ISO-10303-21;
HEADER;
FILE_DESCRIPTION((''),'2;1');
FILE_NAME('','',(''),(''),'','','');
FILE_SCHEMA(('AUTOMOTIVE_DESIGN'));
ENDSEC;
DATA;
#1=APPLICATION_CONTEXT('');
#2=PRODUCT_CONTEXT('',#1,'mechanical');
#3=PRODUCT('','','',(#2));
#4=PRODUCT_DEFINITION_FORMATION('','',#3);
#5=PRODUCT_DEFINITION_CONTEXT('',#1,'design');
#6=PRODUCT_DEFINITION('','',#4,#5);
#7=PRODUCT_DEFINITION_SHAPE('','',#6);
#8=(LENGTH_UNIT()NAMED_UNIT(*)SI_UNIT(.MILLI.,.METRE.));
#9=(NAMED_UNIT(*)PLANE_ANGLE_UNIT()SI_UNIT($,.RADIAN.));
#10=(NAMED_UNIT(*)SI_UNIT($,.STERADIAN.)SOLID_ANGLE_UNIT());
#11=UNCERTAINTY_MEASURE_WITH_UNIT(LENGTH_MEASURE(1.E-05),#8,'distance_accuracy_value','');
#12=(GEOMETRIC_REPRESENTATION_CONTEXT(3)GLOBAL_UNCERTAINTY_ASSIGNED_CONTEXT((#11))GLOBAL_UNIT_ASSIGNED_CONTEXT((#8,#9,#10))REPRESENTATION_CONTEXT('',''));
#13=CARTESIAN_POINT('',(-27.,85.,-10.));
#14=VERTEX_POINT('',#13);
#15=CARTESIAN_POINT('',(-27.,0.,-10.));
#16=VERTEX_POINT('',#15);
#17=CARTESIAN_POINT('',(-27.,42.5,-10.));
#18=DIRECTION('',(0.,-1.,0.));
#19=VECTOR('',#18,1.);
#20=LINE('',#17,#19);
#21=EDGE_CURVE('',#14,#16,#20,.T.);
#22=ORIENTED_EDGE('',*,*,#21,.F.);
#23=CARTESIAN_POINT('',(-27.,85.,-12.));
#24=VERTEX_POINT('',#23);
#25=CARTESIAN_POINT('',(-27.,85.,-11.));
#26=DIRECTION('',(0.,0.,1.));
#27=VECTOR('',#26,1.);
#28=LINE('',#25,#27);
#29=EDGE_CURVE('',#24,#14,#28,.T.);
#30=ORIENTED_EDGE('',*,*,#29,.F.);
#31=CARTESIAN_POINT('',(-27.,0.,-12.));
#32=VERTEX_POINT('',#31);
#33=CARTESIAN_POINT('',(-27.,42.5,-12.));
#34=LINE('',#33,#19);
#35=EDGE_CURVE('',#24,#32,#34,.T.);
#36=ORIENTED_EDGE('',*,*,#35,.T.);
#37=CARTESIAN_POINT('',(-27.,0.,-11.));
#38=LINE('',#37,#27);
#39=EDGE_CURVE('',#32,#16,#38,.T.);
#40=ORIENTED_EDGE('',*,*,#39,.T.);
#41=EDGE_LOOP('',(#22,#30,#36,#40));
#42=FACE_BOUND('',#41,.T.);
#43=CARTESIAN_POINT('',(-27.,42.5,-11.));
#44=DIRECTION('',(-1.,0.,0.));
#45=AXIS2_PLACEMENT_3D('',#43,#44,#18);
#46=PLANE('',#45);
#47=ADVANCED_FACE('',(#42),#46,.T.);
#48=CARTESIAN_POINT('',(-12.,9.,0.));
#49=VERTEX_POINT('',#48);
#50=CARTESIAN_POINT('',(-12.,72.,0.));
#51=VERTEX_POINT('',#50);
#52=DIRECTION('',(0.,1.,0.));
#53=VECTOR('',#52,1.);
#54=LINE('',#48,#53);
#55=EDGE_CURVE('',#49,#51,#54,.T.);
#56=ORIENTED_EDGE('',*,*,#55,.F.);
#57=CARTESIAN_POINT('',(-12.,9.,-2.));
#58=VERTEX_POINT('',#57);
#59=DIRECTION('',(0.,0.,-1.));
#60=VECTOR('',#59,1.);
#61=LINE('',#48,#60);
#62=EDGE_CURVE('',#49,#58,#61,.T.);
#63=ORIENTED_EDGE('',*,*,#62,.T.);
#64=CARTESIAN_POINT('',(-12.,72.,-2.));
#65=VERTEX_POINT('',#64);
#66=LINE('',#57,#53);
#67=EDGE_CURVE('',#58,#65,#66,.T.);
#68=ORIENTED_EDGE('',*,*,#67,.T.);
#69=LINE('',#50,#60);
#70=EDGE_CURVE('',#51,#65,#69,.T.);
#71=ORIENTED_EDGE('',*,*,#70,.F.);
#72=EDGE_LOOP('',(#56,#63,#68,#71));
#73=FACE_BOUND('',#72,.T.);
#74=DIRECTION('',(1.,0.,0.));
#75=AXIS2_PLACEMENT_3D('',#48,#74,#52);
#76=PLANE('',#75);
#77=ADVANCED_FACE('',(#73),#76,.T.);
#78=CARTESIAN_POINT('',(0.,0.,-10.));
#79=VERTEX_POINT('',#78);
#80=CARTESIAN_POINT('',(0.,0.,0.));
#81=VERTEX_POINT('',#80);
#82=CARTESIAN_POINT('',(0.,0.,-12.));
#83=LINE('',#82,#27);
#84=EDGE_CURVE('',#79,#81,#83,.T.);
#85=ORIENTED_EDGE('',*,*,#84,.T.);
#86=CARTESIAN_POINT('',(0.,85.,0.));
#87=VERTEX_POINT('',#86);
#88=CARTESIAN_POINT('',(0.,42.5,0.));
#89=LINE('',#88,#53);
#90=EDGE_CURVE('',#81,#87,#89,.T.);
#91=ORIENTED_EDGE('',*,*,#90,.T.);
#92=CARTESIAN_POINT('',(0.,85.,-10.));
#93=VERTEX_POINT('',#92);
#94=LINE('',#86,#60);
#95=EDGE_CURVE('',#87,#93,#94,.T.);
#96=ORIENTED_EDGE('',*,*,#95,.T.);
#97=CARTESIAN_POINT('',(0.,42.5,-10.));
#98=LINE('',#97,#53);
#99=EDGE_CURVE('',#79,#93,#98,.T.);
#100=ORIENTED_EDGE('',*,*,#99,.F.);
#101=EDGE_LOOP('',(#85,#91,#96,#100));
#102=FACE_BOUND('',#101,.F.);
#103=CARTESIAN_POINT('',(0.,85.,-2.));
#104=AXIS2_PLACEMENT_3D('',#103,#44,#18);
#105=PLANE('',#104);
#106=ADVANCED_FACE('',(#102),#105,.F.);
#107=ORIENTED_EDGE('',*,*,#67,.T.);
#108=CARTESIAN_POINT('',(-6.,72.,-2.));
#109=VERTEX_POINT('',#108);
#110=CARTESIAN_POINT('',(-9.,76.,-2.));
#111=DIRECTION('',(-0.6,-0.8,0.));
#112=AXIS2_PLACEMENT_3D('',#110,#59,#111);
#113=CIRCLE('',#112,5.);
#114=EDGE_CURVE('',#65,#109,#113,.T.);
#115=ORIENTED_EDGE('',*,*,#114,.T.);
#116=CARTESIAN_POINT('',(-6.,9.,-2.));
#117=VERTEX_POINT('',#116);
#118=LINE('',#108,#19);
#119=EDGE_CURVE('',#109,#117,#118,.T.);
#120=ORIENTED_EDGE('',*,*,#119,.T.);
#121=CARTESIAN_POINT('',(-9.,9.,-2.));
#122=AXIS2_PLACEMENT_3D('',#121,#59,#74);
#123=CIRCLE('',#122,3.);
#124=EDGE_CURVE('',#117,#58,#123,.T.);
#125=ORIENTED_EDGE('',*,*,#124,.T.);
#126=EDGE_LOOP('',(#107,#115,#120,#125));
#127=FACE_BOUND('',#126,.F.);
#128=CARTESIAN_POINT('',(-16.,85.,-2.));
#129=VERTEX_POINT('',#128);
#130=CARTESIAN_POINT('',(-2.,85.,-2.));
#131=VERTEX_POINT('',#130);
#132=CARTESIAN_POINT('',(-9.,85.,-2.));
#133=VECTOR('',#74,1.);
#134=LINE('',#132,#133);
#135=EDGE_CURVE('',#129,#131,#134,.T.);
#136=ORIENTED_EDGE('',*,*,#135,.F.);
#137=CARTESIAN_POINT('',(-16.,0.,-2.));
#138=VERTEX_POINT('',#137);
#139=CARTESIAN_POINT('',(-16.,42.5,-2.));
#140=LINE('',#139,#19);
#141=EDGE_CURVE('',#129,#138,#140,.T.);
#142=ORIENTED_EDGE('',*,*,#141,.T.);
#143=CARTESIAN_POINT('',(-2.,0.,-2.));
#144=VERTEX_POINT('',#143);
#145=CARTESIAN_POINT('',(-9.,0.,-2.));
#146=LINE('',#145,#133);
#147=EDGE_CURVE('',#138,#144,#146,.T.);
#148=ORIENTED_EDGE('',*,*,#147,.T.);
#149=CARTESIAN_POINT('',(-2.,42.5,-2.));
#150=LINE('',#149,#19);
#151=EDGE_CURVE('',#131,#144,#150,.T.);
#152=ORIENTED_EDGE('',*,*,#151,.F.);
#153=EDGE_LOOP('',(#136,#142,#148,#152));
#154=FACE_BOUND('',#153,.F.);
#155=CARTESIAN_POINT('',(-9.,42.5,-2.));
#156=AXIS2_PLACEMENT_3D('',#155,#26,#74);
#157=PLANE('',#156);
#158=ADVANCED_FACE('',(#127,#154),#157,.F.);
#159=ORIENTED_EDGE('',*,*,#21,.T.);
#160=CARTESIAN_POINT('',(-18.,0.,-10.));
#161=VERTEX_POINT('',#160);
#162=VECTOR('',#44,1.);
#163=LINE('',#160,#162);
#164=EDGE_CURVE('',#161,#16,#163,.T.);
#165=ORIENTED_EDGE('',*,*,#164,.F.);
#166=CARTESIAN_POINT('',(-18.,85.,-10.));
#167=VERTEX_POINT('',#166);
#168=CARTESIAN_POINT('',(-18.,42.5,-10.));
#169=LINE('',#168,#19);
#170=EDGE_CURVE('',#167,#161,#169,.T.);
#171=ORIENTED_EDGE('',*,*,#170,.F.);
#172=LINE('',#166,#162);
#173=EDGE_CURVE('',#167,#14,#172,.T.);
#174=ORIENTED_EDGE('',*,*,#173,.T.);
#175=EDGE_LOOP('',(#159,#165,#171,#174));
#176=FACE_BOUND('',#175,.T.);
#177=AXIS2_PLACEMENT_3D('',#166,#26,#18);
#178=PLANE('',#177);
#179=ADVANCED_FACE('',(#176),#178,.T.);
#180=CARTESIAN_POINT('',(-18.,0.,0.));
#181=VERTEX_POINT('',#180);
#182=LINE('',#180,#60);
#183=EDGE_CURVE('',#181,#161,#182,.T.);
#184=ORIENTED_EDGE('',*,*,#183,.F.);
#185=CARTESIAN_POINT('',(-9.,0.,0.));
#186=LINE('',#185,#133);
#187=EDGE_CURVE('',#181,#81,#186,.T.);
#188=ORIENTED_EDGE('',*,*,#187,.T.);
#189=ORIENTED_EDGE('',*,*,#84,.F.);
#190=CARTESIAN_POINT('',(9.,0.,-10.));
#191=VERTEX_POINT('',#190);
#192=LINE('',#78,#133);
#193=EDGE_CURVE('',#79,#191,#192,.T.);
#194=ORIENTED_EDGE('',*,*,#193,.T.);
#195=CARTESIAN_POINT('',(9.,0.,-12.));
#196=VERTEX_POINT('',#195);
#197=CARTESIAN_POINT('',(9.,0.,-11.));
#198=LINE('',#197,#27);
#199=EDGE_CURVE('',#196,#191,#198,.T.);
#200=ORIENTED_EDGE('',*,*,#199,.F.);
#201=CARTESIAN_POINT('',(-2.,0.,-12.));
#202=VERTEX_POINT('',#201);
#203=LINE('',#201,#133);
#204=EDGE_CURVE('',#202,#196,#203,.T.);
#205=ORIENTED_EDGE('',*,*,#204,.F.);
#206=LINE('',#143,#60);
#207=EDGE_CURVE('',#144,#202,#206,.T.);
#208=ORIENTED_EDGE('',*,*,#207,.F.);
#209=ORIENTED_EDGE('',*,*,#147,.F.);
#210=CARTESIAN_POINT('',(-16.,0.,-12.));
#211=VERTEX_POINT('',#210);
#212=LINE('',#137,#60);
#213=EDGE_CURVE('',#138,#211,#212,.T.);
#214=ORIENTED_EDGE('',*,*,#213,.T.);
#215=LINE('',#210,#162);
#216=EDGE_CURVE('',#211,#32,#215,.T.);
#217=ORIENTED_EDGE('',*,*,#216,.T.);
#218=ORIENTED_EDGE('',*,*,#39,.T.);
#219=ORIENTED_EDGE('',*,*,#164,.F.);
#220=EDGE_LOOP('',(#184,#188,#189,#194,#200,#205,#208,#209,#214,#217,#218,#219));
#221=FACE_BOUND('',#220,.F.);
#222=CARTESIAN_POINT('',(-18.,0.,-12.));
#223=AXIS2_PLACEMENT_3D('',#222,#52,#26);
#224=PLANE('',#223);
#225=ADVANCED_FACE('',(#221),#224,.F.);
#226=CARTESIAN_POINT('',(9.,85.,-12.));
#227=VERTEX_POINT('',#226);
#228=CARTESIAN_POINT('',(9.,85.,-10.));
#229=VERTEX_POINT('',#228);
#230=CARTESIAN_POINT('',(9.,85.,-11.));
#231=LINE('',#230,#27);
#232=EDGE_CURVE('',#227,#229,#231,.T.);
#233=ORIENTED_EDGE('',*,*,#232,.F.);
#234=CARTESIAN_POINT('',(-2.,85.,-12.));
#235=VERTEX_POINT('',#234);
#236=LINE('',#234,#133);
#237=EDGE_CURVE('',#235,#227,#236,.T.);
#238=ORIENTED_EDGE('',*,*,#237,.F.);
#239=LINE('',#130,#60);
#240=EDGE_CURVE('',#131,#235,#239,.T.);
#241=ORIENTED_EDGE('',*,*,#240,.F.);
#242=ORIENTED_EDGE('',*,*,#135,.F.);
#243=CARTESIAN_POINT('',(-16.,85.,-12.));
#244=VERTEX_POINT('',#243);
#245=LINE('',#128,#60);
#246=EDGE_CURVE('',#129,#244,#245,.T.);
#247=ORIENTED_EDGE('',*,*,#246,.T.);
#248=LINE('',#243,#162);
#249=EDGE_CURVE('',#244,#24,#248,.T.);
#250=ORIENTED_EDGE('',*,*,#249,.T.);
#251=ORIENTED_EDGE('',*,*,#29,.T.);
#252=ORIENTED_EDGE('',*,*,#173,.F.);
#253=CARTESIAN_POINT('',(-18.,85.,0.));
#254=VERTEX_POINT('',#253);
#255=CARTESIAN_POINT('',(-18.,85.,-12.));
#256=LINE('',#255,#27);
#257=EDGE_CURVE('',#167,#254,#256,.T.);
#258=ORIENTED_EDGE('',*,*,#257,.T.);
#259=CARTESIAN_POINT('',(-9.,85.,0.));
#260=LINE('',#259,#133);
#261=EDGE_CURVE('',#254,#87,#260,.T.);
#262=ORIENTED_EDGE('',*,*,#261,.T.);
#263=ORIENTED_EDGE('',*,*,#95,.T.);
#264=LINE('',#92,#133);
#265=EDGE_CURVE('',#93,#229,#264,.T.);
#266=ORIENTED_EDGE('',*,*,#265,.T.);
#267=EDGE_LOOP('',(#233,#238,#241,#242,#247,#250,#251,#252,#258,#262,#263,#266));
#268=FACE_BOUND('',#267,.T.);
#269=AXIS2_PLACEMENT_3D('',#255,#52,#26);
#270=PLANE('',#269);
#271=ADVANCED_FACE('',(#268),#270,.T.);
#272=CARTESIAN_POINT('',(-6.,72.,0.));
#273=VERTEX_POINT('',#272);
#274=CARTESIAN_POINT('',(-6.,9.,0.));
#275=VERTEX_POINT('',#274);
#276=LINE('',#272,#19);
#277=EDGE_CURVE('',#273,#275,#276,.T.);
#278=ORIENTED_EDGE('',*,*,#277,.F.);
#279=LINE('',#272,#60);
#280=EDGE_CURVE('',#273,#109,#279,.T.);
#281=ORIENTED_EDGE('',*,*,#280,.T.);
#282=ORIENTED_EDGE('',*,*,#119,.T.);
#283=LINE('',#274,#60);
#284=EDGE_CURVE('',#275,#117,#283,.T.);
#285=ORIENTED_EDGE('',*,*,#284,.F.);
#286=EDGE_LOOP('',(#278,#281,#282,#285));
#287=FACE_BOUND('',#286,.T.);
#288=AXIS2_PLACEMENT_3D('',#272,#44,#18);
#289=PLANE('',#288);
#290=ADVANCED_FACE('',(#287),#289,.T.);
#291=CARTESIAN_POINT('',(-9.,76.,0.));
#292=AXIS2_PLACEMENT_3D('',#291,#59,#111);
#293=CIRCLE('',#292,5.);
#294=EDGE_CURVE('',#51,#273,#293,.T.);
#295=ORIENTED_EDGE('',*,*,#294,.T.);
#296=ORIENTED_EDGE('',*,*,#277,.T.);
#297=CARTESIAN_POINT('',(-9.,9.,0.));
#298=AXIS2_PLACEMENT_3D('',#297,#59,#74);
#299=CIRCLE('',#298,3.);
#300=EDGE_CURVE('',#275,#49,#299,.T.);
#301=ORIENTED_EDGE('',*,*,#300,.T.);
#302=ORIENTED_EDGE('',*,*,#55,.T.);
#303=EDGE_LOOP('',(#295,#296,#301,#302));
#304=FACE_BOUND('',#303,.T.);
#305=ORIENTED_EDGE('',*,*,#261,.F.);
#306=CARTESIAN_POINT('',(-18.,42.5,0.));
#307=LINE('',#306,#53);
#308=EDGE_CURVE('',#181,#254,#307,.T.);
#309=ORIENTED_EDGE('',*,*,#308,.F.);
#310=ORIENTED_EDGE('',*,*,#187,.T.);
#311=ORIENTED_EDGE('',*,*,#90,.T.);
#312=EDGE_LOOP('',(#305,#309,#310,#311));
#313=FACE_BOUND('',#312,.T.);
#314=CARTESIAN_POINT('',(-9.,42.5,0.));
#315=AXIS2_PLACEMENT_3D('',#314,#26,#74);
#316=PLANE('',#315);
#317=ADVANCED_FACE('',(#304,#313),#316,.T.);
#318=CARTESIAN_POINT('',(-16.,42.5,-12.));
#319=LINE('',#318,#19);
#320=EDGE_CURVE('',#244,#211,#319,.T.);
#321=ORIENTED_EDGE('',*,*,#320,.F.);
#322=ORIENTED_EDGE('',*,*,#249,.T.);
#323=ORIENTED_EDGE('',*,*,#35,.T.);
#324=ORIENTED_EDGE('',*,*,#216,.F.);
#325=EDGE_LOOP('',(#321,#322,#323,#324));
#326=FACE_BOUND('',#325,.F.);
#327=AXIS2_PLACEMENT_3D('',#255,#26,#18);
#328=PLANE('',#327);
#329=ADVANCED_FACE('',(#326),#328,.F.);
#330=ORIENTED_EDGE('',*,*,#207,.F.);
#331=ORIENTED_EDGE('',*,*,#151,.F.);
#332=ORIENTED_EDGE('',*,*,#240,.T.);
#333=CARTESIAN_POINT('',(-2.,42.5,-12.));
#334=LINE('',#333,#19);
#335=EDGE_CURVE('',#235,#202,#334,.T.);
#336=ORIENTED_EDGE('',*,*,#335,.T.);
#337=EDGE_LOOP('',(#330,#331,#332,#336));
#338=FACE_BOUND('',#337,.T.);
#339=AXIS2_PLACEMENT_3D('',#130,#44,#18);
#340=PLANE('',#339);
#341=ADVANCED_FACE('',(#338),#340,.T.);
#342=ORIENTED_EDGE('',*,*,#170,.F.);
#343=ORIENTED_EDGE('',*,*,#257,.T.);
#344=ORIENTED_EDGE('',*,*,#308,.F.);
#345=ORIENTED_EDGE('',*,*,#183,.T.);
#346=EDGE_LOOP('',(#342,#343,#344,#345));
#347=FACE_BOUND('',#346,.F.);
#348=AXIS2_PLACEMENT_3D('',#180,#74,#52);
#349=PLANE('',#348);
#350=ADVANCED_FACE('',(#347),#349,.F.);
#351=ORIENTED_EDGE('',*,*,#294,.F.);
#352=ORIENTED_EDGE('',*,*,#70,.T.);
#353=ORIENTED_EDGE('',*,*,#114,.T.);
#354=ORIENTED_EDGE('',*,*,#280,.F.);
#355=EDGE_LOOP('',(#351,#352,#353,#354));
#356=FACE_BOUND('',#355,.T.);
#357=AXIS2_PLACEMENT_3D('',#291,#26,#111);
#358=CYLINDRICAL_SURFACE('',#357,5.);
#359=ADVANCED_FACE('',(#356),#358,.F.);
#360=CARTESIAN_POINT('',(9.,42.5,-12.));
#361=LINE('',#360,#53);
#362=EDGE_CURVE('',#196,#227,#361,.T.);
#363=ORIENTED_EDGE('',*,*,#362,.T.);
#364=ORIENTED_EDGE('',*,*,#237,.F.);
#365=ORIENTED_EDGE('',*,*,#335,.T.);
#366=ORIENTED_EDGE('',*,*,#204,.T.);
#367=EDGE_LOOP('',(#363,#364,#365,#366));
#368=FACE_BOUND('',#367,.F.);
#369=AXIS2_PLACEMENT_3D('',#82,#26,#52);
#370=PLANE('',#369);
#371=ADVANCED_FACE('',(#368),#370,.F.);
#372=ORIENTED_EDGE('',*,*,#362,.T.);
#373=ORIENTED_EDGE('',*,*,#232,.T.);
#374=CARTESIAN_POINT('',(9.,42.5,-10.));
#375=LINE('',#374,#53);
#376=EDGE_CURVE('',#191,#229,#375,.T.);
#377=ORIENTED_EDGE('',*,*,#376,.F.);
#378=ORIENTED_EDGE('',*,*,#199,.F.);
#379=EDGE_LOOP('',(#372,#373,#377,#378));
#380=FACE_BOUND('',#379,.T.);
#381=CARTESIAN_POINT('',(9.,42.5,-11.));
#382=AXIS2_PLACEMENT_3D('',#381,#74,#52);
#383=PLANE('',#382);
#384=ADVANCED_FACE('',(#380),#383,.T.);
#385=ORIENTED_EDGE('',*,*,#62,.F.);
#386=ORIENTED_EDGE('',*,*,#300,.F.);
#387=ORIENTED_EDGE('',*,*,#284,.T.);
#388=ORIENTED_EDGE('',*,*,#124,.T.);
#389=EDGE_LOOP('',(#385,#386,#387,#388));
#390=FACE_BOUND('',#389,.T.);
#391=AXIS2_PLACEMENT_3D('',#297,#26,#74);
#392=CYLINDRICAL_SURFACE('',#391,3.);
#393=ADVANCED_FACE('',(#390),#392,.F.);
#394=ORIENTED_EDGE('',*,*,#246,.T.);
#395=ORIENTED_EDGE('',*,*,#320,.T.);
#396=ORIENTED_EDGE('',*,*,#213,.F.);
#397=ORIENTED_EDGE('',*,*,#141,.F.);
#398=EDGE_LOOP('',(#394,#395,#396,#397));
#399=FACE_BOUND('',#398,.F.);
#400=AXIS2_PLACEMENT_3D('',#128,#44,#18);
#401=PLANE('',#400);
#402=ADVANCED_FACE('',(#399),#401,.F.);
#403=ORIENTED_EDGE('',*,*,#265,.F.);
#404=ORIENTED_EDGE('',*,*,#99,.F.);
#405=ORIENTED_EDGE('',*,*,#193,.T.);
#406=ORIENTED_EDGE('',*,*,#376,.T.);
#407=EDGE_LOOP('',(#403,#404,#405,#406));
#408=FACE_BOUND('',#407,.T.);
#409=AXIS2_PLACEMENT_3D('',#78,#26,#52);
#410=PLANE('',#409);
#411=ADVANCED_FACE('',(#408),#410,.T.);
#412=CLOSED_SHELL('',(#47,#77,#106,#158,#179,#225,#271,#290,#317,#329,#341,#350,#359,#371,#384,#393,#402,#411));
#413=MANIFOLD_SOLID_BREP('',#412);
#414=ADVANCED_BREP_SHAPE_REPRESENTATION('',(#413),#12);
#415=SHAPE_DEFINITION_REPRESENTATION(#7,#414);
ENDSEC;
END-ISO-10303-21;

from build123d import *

# Parameters (mm, degrees)
F0_W     = 18
F0_H     = 85
F1_DEPTH = 2
F2_W     = 2
F2_H     = 85
F3_DEPTH = 10
F4_W     = 85
F4_H     = 2
F5_DEPTH = 9
F6_W     = 85
F6_H     = 2
F7_DEPTH = 9


with BuildPart() as f1:
    # F0 (on Top) → F1 (new body)
    with BuildSketch(Plane.XY):
        with Locations((-9, 42.5)):
            Rectangle(F0_W, F0_H)
        with BuildLine():
            ThreePointArc((-12, 72), (-9, 81), (-6, 72))
            Line((-6, 72), (-6, 9))
            ThreePointArc((-6, 9), (-9, 6), (-12, 9))
            Line((-12, 9), (-12, 72))
        make_face(mode=Mode.SUBTRACT)
    extrude(amount=-F1_DEPTH)

    # F2 (on face) → F3 (join)
    with BuildSketch(Plane(origin=(0, 0, -2), x_dir=(1, 0, 0), z_dir=(0, 0, -1))):
        with Locations((-1, -42.5)):
            Rectangle(F2_W, F2_H)
        with Locations((-17, -42.5)):
            Rectangle(F2_W, F2_H)
    extrude(amount=F3_DEPTH)

    # F4 (on face) → F5 (join)
    with BuildSketch(Plane.YZ):
        with Locations((42.5, -11)):
            Rectangle(F4_W, F4_H)
    extrude(amount=F5_DEPTH)

    # F6 (on face) → F7 (join)
    with BuildSketch(Plane(origin=(-18, 0, 0), x_dir=(0, -1, 0), z_dir=(-1, 0, 0))):
        with Locations((-42.5, -11)):
            Rectangle(F6_W, F6_H)
    extrude(amount=F7_DEPTH)


solid = f1.part
